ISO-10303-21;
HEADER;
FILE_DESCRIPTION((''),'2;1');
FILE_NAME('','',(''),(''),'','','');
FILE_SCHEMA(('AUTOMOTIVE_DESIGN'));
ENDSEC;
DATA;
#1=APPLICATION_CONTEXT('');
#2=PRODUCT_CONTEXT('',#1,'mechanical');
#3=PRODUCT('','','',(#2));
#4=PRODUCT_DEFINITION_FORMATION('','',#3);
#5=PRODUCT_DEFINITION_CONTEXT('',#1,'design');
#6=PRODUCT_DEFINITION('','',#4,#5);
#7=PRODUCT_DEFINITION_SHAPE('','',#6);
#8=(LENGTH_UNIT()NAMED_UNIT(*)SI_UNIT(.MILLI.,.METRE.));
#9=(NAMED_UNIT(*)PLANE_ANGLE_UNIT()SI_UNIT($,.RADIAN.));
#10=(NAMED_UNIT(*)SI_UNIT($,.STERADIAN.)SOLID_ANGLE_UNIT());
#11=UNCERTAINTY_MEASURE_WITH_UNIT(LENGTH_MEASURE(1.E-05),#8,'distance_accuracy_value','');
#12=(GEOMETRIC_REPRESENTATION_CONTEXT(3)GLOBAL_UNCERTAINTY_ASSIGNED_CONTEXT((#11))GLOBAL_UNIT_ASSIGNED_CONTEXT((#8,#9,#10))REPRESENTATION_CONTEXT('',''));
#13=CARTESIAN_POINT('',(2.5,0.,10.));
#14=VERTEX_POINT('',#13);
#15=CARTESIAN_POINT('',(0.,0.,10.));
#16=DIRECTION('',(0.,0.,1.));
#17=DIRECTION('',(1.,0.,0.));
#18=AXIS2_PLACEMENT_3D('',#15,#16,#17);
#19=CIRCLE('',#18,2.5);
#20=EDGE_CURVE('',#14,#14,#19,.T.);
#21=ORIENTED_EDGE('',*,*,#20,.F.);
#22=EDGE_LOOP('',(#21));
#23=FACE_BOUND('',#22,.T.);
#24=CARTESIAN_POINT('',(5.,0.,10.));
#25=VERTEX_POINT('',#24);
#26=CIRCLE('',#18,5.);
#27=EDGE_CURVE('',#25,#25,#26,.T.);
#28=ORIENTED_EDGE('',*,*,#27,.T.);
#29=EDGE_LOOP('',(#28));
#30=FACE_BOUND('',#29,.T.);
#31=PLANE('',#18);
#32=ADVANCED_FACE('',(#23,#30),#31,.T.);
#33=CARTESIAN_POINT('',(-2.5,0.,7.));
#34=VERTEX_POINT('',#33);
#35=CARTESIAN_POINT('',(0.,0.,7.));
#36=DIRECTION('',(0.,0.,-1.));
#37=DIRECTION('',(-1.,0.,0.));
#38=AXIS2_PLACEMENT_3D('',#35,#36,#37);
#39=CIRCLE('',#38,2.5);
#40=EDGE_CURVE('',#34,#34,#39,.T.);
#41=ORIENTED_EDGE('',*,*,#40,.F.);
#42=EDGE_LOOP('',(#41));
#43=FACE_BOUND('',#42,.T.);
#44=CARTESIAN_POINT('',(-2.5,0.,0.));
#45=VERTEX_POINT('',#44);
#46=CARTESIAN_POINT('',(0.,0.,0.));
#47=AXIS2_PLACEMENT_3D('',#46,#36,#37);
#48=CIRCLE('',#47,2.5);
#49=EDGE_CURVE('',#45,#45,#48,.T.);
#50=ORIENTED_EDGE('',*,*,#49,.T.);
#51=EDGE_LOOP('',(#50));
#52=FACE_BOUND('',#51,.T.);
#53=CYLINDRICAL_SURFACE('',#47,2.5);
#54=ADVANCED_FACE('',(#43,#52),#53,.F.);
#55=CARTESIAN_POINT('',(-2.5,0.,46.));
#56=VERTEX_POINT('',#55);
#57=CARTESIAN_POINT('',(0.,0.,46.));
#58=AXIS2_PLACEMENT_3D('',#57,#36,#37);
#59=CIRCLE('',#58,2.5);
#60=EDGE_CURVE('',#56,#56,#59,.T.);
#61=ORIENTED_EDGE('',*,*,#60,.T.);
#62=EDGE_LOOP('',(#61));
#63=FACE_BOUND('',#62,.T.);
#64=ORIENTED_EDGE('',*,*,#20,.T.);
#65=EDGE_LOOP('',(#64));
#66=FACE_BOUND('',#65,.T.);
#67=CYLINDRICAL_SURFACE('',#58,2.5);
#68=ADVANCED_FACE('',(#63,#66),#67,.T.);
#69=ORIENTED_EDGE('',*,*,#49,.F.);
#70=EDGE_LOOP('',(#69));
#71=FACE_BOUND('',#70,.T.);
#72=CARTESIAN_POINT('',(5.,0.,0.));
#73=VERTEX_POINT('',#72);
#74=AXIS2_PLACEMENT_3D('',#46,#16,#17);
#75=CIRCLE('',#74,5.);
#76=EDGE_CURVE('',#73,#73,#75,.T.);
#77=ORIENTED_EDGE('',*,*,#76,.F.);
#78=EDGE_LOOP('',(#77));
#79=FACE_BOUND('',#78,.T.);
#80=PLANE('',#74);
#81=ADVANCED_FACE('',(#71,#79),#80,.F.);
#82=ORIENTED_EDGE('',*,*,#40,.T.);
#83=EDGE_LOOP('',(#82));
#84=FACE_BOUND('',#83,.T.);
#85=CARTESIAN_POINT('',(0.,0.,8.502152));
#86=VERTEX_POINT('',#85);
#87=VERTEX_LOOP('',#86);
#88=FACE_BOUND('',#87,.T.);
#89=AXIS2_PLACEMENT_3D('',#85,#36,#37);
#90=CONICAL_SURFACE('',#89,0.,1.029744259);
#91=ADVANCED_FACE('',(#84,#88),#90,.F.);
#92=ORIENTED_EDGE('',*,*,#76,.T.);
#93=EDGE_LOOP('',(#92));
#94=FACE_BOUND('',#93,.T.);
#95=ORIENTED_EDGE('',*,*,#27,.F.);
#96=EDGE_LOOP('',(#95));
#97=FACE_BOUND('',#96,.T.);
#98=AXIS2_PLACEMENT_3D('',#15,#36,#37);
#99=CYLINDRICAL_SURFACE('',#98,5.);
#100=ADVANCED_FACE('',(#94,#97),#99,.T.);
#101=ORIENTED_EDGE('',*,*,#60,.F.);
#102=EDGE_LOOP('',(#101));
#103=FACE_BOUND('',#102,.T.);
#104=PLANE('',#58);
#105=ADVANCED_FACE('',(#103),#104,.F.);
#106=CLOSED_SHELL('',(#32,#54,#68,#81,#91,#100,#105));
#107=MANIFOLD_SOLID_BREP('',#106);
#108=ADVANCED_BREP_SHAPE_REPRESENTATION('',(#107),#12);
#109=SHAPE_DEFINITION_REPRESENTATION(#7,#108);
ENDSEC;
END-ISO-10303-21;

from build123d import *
from build123d.topology import SkipClean

# Parameters (mm, degrees)
ESQUISSE1_R             = 5
BASE_EXTRUSION_DEPTH    = 10
ESQUISSE2_R             = 2.5
BOSS_EXTRU_1_DEPTH      = 46
PER_AGE1_D              = 5
PER_AGE1_DEPTH          = 7
PER_AGE1_TIP            = 1.502151548
BOSS_EXTRU_2_DEPTH      = 5
ENL_V_MAT_EXTRU_1_DEPTH = 47.673600495


with BuildPart() as part:
    # Esquisse1 → Base-Extrusion (new body)
    with BuildSketch(Plane.XY):
        Circle(ESQUISSE1_R)
    extrude(amount=BASE_EXTRUSION_DEPTH)

    # Esquisse2 → Boss.-Extru.1 (add)
    with BuildSketch(Plane(origin=(0, 0, 0), x_dir=(-1, 0, 0), z_dir=(0, 0, -1))):
        Circle(ESQUISSE2_R)
    extrude(amount=-BOSS_EXTRU_1_DEPTH)

    # Perçage1
    with Locations(Plane(origin=(0, 0, 0), x_dir=(-1, 0, 0), z_dir=(0, 0, -1))):
        with Locations((0, 0)):
            Hole(PER_AGE1_D / 2, depth=PER_AGE1_DEPTH)
            with Locations((0, 0, -(PER_AGE1_DEPTH + PER_AGE1_TIP / 2))):  # 118° drill point
                Cone(0, PER_AGE1_D / 2, PER_AGE1_TIP, mode=Mode.SUBTRACT)

    # Esquisse5 → Boss.-Extru.2 (add)
    with BuildSketch(Plane(origin=(0, 0, 0), x_dir=(-1, 0, 0), z_dir=(0, 0, -1))):
        with BuildLine():
            Line((4.34918251, 2.466700528), (6.117596195, 2.466700528))
            Line((6.117596195, 2.466700528), (6.117596195, -2.226545612))
            Line((6.117596195, -2.226545612), (4.476884479, -2.226545612))
            ThreePointArc((4.476884479, -2.226545612), (4.998150103, 0.135998324), (4.34918251, 2.466700528))
        make_face()
    extrude(amount=-BOSS_EXTRU_2_DEPTH)

    # Esquisse8 → Enlèv. mat.-Extru.1 (cut, through all)
    with SkipClean():  # the faces are left unmerged after this step: merging them gives an invalid solid
        with BuildSketch(Plane(origin=(0, 0, 0), x_dir=(-1, 0, 0), z_dir=(0, 0, -1))):
            with BuildLine():
                Line((4.118975402, 2.834438505), (6.634265665, 2.834438505))
                Line((6.634265665, 2.834438505), (6.634265665, -2.731049489))
                Line((6.634265665, -2.731049489), (4.188241718, -2.731049489))
                ThreePointArc((4.188241718, -2.731049489), (4.999612807, 0.062223612), (4.118975402, 2.834438505))
            make_face()
        extrude(amount=-ENL_V_MAT_EXTRU_1_DEPTH, mode=Mode.SUBTRACT)


solid = part.part
